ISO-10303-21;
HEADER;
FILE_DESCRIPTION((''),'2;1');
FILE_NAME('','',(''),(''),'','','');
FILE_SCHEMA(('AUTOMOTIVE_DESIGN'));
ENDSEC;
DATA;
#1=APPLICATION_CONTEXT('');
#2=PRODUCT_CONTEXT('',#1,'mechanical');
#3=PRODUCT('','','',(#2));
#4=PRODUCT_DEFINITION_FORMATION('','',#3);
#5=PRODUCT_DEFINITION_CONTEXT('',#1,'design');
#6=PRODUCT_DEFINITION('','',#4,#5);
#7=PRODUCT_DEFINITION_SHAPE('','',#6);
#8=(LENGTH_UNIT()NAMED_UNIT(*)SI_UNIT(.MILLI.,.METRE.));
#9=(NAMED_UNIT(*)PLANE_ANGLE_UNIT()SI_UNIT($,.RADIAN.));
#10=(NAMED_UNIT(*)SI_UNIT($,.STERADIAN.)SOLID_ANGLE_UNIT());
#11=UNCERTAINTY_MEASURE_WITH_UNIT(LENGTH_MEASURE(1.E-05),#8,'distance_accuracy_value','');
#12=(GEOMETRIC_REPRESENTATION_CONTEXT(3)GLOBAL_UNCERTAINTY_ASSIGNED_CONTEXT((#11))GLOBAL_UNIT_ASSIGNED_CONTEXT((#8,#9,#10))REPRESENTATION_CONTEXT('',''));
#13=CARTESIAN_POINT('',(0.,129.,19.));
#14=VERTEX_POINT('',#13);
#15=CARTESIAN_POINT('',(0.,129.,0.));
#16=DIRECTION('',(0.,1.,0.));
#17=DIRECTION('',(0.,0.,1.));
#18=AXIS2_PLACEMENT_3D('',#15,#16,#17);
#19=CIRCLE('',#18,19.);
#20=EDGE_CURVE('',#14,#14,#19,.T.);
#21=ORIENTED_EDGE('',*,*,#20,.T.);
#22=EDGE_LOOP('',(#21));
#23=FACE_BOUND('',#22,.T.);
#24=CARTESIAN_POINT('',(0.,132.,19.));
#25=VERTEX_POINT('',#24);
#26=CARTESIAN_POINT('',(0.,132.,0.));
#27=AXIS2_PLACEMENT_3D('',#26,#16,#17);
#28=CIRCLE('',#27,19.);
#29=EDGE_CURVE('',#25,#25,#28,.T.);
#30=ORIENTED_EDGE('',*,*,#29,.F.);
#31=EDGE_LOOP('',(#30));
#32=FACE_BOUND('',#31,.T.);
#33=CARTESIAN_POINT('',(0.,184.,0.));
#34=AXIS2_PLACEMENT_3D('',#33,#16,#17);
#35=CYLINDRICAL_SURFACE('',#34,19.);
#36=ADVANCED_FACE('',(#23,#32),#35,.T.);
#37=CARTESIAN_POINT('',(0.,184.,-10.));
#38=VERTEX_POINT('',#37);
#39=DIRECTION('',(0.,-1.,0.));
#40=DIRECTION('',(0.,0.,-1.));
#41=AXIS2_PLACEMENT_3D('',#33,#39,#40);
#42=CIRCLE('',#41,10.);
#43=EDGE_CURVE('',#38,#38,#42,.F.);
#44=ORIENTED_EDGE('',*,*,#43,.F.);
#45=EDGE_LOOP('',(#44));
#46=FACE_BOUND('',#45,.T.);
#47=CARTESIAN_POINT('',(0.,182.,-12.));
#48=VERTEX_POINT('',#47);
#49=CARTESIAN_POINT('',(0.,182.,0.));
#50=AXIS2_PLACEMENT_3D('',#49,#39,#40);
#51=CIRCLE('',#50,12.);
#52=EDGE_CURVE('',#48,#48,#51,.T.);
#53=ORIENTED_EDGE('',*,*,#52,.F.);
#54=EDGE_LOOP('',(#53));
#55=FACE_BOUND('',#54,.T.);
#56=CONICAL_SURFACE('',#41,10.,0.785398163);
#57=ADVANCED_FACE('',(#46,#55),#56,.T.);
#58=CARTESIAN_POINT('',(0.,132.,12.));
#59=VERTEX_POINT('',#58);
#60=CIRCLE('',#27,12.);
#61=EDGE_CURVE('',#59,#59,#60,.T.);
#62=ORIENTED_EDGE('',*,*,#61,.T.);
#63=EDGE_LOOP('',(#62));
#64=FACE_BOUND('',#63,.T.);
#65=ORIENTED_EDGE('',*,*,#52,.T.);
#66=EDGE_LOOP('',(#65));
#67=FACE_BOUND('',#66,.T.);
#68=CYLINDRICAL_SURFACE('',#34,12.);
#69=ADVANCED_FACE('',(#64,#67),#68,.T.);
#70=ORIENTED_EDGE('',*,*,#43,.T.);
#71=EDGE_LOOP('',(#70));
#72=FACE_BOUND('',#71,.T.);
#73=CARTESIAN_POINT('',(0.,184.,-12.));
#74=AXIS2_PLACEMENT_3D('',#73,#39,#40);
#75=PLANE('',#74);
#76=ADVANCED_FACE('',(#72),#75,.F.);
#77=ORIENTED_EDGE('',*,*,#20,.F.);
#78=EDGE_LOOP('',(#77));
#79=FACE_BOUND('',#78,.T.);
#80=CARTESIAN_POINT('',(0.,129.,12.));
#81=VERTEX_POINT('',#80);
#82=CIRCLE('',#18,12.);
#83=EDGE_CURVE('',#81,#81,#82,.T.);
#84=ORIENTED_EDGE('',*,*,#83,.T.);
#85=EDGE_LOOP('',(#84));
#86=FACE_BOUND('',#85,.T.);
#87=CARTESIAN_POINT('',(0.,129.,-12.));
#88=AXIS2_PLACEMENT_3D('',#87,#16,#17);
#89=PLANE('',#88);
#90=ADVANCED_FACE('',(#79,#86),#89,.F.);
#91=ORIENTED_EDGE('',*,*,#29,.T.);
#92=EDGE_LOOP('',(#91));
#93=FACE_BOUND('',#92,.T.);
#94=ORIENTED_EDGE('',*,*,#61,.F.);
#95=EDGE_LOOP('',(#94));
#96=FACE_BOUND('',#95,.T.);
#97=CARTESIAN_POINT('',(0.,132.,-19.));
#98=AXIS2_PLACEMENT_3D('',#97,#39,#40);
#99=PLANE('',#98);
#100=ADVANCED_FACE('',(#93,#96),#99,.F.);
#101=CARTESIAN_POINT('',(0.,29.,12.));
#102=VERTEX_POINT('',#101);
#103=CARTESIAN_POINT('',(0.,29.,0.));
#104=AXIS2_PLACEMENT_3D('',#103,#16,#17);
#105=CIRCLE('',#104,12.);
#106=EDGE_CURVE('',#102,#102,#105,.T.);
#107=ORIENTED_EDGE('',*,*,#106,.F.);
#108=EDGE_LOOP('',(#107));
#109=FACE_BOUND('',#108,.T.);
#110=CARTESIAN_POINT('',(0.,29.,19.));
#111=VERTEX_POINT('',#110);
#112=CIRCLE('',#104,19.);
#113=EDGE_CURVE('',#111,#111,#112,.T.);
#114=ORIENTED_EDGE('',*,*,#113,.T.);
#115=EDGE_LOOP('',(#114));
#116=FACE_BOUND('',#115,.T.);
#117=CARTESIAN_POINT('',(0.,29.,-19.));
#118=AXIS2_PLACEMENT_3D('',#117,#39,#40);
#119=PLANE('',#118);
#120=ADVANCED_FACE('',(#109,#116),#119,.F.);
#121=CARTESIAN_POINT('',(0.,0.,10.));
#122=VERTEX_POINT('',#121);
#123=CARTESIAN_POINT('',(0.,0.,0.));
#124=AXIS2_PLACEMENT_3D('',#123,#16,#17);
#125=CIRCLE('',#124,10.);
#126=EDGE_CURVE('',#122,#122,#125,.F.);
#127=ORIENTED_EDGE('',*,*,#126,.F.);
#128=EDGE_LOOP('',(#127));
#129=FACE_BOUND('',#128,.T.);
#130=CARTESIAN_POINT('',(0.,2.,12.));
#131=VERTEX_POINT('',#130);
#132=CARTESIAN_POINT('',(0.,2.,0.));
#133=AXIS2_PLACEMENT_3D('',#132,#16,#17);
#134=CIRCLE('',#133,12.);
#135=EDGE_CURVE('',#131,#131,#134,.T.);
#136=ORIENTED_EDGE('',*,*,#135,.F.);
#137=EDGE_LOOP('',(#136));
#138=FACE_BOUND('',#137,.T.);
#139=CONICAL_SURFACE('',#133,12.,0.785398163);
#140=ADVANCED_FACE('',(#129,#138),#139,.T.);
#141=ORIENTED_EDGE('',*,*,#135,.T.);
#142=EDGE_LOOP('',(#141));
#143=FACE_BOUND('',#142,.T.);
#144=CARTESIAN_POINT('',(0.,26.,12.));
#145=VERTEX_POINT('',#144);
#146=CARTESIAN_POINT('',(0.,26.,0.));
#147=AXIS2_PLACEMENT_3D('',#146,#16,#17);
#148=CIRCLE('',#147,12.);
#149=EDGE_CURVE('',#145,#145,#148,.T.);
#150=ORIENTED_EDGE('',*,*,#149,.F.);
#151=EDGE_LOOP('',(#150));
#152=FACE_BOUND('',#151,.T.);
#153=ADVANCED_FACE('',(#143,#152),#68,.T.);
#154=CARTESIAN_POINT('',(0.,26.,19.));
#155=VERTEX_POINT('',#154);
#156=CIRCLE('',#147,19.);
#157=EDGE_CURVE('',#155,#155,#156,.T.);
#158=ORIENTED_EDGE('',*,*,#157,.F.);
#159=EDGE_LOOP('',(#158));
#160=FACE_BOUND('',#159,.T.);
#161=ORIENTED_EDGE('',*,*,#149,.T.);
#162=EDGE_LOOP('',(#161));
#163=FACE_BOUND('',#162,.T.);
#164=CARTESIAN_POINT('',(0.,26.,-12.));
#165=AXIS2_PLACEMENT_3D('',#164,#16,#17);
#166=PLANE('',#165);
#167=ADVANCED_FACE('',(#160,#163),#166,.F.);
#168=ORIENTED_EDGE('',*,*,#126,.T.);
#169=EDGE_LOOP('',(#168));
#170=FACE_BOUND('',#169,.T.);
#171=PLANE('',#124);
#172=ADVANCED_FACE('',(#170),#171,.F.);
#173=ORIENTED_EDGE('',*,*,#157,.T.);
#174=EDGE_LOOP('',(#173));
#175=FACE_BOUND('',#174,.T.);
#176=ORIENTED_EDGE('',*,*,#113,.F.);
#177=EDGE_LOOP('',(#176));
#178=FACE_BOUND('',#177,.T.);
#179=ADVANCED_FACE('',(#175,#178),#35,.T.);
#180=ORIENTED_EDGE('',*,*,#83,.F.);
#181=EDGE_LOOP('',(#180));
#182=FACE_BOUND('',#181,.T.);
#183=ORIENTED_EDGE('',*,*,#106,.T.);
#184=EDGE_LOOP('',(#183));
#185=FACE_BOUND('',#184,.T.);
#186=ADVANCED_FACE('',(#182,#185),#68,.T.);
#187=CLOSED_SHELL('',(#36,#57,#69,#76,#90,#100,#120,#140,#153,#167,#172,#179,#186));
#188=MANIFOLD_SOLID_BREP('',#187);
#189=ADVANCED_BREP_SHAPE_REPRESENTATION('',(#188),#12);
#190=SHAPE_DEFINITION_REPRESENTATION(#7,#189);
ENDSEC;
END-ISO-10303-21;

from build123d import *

# Parameters (mm, degrees)
CHAMFER3_SIZE = 2


with BuildPart() as part:
    # Sketch1 → Revolve1 (revolve)
    with BuildSketch(Plane(origin=(0, 0, 0), x_dir=(0, 0, -1), z_dir=(1, 0, 0))):
        Polygon((0, 0), (12, 0), (12, 26), (19, 26), (19, 29), (12, 29), (12, 129), (19, 129), (19, 132), (12, 132), (12, 184), (0, 184), align=None)
    revolve(axis=Axis((0, 184, 0), (0, -1, 0)))

    # Chamfer3
    chamfer3_edges = [part.edges().sort_by_distance(p)[0] for p in [
        (0, 0, 12),
        (0, 184, 12),
    ]]
    chamfer(chamfer3_edges, length=CHAMFER3_SIZE)


solid = part.part
